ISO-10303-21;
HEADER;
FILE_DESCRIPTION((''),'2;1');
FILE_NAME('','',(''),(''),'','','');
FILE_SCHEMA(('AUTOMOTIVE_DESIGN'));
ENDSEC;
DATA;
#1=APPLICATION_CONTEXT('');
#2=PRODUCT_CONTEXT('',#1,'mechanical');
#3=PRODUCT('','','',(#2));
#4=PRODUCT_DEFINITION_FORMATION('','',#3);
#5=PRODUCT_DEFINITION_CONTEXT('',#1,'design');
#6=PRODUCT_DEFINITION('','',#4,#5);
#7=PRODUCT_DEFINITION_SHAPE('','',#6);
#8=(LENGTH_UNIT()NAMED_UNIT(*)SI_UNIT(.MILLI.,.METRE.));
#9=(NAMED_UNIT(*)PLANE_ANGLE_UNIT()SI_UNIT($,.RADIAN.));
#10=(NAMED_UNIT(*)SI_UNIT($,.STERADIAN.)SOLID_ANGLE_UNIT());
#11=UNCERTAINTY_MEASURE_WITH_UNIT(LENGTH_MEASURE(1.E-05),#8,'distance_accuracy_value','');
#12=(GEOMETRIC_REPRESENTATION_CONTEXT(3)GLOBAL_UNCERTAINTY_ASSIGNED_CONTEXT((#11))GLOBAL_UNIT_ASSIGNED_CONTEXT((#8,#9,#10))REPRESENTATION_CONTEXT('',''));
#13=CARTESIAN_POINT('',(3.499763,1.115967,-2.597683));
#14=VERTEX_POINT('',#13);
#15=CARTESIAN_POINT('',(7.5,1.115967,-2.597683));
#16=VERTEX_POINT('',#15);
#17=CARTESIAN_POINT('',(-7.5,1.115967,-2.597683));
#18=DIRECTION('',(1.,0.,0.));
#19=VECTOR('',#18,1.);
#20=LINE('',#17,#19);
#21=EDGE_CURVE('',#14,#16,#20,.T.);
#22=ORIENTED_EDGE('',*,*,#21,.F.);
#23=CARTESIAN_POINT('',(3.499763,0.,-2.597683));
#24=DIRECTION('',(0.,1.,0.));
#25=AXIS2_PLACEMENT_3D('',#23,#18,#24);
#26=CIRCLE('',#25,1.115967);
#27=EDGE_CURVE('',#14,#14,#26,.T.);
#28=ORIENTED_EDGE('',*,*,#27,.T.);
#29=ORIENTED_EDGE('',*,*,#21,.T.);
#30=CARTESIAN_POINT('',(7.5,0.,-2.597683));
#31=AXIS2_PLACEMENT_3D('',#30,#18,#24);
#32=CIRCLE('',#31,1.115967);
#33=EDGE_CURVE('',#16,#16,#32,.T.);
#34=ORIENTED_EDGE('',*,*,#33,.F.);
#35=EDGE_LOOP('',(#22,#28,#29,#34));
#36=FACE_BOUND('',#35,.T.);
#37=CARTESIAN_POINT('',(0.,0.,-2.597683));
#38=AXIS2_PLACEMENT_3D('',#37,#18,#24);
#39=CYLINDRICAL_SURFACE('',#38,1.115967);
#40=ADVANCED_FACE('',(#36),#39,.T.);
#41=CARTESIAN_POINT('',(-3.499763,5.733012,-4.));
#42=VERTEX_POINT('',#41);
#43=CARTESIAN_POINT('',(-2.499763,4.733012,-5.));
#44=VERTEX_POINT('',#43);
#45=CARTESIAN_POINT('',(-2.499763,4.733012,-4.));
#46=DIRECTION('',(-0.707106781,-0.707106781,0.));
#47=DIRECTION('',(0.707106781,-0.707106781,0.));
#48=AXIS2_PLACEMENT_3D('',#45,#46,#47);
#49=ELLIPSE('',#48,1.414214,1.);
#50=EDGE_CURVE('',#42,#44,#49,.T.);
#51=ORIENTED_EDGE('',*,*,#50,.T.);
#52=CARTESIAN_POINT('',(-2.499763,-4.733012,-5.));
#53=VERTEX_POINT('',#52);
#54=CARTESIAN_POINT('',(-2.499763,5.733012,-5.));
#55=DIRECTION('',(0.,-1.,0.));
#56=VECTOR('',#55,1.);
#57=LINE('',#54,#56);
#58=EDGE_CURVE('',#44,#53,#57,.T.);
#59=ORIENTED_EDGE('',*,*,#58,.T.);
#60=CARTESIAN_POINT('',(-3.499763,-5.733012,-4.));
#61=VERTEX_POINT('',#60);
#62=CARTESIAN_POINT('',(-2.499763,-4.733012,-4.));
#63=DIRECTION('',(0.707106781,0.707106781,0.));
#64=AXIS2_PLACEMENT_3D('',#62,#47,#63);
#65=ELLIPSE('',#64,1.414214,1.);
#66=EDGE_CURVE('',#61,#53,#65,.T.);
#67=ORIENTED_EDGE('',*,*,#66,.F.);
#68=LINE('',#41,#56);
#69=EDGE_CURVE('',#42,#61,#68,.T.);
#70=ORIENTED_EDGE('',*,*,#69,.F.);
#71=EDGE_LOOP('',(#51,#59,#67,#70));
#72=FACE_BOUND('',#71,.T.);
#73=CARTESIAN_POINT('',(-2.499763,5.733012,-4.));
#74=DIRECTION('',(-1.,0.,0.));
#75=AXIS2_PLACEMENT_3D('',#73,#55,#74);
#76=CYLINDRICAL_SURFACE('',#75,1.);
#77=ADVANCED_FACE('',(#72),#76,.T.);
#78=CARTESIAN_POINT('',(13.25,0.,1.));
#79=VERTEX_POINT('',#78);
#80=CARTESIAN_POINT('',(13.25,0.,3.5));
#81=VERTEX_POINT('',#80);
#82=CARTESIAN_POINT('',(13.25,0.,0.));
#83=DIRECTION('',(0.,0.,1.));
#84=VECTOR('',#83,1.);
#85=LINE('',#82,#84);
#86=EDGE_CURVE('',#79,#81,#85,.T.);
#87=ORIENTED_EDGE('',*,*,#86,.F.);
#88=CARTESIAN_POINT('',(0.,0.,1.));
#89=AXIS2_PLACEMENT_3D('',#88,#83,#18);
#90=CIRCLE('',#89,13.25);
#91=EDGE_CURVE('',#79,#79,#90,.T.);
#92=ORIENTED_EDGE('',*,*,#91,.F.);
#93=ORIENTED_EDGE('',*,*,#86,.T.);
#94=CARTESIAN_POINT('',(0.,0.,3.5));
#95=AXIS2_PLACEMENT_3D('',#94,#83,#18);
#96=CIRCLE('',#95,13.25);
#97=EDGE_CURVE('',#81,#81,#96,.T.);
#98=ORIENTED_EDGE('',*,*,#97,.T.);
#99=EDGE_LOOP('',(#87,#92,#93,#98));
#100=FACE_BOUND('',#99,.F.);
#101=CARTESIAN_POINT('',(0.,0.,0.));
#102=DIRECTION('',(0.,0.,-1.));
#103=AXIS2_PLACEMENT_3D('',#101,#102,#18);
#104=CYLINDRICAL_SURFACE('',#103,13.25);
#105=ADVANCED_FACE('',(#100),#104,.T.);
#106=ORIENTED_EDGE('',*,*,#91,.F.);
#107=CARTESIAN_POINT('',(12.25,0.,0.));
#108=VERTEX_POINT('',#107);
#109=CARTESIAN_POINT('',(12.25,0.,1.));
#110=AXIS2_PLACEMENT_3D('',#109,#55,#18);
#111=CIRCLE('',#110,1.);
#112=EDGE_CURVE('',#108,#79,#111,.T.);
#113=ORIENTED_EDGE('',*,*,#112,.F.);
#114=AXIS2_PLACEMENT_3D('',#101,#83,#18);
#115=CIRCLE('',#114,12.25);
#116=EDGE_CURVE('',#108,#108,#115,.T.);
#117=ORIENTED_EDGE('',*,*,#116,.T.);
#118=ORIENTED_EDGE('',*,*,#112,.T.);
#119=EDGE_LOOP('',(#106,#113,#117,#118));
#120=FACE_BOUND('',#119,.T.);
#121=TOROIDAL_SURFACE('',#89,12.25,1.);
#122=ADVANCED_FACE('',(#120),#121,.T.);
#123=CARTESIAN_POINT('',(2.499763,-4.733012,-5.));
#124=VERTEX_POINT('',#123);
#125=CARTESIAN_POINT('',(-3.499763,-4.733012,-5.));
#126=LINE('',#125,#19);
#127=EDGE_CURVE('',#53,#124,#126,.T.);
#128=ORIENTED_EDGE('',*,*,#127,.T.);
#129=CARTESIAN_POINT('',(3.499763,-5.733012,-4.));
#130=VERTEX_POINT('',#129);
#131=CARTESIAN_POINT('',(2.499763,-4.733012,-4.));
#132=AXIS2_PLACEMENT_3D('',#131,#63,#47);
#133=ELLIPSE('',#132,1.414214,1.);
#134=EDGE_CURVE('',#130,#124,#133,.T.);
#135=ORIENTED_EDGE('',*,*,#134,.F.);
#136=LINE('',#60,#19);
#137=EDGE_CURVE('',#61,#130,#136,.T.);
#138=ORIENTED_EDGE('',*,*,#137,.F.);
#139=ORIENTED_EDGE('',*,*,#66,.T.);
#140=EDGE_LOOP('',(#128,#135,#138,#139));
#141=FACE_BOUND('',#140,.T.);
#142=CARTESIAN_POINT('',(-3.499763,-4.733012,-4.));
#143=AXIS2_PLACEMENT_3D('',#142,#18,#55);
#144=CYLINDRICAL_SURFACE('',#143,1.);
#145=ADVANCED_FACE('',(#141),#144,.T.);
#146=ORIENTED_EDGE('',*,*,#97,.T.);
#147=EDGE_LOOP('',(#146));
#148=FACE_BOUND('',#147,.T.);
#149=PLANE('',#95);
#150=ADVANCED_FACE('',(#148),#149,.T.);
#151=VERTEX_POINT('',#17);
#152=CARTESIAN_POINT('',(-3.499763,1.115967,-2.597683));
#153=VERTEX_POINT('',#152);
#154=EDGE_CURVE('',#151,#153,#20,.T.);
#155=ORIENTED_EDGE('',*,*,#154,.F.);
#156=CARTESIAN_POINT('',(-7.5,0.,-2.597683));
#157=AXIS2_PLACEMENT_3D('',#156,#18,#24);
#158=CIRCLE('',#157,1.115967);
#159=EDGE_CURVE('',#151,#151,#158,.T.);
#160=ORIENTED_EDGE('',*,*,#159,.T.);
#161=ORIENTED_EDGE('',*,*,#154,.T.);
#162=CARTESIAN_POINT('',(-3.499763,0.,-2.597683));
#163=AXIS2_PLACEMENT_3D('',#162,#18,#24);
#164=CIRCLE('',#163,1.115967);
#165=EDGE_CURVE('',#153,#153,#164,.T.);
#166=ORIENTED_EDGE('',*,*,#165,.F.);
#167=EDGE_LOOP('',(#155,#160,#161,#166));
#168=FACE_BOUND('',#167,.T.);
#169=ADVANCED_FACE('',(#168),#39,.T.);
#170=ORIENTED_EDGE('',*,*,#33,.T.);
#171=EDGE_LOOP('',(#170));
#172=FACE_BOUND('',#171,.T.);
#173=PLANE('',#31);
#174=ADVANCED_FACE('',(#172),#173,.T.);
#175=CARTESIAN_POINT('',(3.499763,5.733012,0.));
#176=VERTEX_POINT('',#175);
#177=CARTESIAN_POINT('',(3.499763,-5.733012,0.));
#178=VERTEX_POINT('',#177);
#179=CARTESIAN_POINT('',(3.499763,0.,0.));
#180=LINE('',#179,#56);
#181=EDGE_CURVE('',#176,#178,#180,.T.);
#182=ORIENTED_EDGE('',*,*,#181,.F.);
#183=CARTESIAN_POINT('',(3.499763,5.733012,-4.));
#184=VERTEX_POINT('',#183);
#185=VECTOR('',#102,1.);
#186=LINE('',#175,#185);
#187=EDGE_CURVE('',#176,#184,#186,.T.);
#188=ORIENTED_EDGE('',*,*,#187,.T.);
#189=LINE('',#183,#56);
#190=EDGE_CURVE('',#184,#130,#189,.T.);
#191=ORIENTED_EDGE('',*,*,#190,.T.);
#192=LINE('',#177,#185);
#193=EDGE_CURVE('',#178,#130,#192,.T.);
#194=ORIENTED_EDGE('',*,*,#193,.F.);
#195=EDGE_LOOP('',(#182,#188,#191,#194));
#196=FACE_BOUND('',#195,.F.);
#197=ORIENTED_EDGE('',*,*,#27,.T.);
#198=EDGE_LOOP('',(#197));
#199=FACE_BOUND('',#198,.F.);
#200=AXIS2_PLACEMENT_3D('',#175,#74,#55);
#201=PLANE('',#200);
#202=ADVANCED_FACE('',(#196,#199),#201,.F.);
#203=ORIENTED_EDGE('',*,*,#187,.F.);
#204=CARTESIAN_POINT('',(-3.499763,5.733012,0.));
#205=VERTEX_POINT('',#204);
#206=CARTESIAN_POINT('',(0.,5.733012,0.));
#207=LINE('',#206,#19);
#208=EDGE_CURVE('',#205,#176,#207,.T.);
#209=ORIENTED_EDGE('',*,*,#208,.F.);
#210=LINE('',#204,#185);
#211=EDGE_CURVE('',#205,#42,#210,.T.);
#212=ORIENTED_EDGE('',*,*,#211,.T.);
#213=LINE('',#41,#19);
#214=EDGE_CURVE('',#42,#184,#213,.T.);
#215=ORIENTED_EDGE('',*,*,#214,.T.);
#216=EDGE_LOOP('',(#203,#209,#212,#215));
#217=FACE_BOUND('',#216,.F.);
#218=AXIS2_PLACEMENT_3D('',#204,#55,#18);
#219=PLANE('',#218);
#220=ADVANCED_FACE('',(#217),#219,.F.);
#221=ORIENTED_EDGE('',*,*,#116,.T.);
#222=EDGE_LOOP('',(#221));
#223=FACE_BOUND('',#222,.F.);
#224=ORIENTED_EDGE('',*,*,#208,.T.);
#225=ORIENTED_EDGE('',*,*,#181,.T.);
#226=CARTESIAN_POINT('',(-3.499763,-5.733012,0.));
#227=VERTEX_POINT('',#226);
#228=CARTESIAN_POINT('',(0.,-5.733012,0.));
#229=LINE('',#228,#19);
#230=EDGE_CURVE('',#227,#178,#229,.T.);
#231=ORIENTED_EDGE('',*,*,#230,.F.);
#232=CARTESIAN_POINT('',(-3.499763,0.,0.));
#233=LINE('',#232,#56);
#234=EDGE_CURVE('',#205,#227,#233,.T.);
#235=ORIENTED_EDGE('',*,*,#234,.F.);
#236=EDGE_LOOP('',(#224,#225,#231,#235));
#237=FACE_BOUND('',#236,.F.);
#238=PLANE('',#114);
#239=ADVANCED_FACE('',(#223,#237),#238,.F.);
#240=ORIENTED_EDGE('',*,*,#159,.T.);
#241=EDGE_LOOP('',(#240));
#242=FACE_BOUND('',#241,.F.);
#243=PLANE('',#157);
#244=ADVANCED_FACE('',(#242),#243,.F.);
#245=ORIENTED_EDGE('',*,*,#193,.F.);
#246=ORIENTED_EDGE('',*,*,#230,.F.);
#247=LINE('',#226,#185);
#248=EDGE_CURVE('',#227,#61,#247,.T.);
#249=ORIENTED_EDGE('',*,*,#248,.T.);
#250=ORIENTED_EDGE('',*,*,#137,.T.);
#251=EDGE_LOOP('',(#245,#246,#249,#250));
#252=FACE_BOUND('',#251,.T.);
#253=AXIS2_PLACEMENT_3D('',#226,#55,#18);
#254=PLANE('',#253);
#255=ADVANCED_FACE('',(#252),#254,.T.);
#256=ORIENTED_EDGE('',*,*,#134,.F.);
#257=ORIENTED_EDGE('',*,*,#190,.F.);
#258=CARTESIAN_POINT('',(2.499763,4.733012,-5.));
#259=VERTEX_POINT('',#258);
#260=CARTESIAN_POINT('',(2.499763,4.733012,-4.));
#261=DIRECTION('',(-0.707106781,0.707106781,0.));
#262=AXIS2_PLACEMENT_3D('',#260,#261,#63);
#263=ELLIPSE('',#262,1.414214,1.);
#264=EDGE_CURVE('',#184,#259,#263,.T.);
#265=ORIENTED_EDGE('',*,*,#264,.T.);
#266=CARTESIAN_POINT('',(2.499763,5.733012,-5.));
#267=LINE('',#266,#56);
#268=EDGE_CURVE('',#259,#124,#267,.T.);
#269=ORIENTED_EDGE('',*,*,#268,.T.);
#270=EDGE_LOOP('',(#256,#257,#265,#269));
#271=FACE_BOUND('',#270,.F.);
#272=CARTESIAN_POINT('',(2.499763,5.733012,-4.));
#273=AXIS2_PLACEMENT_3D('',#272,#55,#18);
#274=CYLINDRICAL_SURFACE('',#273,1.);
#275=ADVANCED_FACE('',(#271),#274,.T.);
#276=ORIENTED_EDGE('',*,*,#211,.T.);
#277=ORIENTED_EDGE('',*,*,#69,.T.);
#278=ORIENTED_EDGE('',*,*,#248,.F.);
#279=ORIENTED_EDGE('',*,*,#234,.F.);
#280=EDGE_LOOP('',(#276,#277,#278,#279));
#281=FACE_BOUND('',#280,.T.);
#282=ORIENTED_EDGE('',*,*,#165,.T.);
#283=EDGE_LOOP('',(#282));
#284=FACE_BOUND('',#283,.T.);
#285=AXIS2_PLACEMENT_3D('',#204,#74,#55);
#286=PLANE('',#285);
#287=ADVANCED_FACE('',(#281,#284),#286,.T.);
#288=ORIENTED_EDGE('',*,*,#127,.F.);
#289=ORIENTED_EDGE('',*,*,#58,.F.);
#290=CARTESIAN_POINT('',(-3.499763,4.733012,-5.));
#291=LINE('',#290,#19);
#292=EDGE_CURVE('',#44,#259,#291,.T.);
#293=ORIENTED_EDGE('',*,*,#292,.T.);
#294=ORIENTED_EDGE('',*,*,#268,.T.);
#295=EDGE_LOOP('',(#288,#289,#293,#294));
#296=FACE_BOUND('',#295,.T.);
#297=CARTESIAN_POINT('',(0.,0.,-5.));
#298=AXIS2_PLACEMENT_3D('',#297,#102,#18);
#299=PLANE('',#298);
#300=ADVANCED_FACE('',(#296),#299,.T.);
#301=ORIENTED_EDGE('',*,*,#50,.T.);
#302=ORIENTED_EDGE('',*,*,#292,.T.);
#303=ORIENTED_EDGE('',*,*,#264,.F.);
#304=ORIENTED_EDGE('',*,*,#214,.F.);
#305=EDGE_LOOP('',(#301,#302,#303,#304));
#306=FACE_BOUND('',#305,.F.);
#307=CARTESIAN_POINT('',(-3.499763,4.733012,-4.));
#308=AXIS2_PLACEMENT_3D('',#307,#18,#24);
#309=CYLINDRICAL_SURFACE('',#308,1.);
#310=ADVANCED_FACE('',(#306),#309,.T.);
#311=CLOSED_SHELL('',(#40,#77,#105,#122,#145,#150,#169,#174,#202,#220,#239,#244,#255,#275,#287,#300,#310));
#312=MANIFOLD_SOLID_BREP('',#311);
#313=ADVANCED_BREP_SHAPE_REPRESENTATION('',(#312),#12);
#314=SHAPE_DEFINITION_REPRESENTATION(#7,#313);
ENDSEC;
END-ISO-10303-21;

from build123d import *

# Parameters (mm, degrees)
F0_R     = 13.25
F1_DEPTH = 3.5
F2_W     = 6.9995252416
F2_H     = 11.4660244435
F3_DEPTH = 5
F4_R     = 1.115966898
F5_DEPTH = 7.5
F6_R     = 1
F7_R     = 1


with BuildPart() as f1:
    # F0 (on Top) → F1 (new body)
    with BuildSketch(Plane.XY):
        Circle(F0_R)
    extrude(amount=F1_DEPTH)

    # F2 (on face) → F3 (join)
    with BuildSketch(Plane(origin=(0, 0, 0), x_dir=(1, 0, 0), z_dir=(0, 0, -1))):
        Rectangle(F2_W, F2_H)
    extrude(amount=F3_DEPTH)

    # F4 (on Right) → F5 (join, symmetric)
    with BuildSketch(Plane.YZ):
        with Locations((0, -2.5976826437)):
            Circle(F4_R)
    extrude(amount=F5_DEPTH, both=True)

    # F6
    f6_edges = [f1.edges().sort_by_distance(p)[0] for p in [
        (-13.25, 0, 0),
    ]]
    fillet(f6_edges, radius=F6_R)

    # F7
    f7_edges = [f1.edges().sort_by_distance(p)[0] for p in [
        (0, 5.733012, -5),
        (3.499763, 0, -5),
        (0, -5.733012, -5),
        (-3.499763, 0, -5),
    ]]
    fillet(f7_edges, radius=F7_R)


solid = f1.part
